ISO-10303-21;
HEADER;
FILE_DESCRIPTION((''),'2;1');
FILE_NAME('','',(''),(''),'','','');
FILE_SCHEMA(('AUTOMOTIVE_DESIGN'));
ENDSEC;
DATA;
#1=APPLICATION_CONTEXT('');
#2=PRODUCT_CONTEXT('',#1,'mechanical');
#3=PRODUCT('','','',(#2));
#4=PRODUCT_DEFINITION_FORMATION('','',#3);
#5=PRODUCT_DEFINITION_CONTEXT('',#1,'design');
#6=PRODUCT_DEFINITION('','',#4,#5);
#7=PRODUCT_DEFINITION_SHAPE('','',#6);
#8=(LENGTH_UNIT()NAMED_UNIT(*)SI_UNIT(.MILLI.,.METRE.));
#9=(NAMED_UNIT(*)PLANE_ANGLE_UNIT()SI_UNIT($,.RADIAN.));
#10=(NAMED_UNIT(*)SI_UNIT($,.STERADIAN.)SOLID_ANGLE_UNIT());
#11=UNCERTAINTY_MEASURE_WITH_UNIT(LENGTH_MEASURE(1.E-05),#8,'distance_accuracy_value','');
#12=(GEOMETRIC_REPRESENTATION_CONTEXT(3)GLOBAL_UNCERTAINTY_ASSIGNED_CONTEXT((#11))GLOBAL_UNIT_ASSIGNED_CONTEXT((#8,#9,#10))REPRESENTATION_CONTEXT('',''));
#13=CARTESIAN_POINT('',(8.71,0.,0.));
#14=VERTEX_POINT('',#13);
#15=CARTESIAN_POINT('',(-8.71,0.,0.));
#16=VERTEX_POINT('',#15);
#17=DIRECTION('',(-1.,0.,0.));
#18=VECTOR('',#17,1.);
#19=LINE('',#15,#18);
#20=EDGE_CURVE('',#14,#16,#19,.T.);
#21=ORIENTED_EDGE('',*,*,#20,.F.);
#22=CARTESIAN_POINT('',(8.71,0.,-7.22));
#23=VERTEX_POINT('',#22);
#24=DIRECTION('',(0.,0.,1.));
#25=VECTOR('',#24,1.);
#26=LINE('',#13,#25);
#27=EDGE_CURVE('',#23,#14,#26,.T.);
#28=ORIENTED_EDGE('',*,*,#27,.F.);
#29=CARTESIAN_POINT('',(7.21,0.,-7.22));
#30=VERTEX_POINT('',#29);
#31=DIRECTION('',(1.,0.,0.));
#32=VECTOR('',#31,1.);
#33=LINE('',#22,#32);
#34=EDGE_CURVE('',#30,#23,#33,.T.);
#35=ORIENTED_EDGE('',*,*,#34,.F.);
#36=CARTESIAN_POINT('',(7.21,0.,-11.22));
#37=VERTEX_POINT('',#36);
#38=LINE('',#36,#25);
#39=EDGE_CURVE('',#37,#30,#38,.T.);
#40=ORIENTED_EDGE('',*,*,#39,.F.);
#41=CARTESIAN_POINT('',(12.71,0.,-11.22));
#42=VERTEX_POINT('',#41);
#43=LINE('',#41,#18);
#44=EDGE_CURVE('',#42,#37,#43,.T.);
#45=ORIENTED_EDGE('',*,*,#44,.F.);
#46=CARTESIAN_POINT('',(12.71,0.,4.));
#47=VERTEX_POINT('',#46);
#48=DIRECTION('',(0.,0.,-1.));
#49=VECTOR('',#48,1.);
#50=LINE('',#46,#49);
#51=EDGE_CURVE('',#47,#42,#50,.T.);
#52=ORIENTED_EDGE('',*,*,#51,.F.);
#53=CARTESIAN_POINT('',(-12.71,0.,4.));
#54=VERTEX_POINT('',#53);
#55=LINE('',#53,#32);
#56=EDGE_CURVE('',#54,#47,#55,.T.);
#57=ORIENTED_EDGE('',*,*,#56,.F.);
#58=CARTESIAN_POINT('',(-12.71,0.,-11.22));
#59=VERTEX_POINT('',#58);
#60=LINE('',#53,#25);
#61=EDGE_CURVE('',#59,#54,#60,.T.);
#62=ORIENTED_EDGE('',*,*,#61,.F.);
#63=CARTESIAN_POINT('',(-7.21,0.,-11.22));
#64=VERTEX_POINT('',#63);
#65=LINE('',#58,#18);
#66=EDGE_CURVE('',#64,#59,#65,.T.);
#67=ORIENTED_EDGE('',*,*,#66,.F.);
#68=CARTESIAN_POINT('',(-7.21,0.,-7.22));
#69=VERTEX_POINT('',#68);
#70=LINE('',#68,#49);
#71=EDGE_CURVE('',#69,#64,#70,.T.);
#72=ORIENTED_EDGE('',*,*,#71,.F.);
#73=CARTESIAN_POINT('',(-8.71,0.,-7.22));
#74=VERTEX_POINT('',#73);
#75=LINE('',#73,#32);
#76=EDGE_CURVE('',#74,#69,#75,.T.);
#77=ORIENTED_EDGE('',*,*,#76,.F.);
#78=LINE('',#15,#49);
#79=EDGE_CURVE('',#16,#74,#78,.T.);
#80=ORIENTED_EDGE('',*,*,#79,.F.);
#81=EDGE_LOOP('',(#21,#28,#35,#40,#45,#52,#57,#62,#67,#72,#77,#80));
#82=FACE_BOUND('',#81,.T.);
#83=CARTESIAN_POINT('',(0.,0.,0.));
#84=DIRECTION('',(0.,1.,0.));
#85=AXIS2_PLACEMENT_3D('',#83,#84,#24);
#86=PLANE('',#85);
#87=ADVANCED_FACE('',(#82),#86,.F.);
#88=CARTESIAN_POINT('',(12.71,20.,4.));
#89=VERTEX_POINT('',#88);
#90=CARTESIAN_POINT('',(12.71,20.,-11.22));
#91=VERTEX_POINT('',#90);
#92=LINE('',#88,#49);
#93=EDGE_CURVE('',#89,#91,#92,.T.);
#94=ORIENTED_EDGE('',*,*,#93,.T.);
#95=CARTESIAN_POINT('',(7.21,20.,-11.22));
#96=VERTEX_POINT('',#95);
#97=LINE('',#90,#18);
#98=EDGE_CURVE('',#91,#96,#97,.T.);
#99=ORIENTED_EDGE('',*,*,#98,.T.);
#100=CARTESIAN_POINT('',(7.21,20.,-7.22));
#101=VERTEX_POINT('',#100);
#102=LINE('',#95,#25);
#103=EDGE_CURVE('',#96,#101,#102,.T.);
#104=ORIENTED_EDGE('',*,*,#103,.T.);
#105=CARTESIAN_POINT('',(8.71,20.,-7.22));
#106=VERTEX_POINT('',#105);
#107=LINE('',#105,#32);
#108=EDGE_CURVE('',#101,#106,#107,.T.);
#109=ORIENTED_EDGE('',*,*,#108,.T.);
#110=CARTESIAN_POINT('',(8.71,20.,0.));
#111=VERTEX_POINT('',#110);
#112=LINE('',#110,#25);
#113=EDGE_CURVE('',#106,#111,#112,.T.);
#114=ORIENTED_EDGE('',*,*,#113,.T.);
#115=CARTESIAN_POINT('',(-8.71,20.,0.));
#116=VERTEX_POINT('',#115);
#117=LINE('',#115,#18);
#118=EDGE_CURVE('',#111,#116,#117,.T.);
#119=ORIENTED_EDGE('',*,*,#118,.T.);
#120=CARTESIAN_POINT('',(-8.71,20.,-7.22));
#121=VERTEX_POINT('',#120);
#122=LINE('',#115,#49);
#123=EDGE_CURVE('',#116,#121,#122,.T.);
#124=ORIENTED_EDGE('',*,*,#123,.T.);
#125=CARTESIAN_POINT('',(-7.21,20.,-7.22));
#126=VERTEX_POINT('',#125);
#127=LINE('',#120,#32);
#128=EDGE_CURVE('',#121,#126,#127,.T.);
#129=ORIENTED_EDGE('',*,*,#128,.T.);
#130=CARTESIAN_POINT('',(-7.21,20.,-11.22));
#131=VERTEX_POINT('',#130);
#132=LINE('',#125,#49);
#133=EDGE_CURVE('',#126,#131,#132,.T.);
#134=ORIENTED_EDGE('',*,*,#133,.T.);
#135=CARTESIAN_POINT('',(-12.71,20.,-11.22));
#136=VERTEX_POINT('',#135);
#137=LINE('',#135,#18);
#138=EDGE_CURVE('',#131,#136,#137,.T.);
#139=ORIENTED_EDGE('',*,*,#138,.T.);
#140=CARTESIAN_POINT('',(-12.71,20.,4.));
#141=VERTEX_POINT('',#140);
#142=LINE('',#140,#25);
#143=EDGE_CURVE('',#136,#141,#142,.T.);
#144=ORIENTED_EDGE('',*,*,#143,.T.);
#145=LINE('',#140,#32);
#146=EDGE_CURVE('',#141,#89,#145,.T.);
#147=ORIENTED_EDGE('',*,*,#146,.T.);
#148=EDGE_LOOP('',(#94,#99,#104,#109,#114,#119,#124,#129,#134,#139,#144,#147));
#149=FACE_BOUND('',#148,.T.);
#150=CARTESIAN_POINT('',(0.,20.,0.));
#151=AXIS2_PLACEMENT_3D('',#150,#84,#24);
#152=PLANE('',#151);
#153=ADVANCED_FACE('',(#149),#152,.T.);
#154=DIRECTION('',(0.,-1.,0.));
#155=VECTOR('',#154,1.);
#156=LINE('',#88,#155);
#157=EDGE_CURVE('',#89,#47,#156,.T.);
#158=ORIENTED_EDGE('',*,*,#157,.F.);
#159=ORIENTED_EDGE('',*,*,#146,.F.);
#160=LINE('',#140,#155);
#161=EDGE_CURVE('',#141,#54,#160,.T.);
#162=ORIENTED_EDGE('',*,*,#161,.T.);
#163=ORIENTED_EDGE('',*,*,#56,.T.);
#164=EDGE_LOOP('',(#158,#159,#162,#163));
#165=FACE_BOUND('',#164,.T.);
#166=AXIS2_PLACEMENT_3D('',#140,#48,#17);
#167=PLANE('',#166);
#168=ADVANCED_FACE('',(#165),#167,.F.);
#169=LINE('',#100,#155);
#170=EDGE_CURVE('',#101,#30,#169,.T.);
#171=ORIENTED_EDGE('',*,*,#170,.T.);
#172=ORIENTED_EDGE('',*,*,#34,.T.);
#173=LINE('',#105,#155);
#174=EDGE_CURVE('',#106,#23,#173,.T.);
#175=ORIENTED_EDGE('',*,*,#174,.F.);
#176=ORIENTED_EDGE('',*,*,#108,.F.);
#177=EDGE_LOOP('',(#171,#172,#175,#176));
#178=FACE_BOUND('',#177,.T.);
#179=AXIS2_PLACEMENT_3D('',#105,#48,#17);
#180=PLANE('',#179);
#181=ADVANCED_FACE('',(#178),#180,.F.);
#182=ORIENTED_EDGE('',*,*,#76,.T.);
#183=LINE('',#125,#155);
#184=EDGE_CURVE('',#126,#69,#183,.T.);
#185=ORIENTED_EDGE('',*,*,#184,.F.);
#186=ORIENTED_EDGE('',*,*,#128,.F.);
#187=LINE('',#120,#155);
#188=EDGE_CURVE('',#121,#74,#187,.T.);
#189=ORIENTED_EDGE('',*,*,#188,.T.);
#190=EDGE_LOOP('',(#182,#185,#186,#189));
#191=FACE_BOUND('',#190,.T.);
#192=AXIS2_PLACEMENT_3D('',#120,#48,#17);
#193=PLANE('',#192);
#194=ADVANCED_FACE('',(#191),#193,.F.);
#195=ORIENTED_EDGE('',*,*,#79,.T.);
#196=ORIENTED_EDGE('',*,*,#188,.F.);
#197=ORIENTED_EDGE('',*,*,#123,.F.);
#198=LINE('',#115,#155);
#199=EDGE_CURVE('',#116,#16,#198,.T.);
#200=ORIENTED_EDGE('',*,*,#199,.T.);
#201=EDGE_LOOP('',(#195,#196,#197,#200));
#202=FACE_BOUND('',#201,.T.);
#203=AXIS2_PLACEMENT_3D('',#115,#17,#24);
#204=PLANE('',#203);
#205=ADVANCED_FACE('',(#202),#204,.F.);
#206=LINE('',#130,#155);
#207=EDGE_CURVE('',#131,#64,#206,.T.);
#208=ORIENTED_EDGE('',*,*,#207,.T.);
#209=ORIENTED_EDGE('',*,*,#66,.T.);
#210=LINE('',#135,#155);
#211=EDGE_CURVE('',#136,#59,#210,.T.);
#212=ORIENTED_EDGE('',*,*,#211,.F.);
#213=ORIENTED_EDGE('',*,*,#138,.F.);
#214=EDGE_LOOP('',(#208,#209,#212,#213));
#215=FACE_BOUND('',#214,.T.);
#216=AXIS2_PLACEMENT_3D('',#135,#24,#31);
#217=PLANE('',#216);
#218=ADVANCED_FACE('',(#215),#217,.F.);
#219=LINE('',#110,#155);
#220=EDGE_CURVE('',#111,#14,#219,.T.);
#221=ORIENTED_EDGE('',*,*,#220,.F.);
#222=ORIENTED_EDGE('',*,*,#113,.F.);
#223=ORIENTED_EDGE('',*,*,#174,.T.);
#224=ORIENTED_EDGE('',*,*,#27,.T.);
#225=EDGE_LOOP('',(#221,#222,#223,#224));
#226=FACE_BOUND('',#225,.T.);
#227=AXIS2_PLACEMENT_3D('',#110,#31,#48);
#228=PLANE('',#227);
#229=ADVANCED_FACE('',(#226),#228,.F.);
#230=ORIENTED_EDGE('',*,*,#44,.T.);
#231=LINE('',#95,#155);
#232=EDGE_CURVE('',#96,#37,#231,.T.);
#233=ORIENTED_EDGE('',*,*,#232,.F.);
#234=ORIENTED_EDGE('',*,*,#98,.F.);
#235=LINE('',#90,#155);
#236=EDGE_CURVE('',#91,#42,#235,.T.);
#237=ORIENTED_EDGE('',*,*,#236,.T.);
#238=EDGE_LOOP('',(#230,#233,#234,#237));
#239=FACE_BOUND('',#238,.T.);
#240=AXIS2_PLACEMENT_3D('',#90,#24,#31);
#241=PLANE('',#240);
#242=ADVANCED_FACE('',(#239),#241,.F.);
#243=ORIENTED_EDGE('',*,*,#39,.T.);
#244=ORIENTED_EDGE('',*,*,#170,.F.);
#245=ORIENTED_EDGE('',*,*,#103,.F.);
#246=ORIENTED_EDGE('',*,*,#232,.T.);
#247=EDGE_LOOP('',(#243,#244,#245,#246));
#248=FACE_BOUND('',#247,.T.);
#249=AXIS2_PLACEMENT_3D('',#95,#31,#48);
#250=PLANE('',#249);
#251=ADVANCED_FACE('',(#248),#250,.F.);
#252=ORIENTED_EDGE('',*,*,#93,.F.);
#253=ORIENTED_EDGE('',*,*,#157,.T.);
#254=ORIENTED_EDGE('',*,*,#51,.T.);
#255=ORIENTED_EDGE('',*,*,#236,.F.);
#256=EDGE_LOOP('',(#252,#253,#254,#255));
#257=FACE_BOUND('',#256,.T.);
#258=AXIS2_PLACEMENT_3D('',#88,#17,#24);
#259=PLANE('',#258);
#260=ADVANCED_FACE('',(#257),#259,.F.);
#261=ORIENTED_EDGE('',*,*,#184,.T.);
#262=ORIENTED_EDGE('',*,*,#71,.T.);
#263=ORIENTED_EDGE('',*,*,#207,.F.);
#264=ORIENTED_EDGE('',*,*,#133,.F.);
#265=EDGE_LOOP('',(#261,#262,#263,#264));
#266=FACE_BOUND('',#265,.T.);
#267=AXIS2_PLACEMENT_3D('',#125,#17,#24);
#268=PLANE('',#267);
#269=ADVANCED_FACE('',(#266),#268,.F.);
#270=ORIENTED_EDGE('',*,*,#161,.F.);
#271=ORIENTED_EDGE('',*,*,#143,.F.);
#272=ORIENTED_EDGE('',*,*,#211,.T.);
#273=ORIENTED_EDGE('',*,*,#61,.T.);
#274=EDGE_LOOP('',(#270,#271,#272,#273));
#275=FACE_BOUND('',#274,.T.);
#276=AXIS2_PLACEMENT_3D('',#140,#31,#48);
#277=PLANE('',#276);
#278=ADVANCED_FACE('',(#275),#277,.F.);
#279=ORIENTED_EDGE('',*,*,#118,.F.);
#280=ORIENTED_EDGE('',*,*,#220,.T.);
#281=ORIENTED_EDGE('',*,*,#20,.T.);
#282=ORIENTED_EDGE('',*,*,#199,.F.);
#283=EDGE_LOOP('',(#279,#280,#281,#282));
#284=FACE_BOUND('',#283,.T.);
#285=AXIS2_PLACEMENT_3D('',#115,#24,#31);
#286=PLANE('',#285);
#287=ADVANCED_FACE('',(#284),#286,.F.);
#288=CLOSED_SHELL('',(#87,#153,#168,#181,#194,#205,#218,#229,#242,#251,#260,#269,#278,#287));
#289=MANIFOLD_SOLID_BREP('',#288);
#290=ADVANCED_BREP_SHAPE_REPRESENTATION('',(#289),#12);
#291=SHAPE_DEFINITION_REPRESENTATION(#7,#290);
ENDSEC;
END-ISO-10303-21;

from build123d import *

# Parameters (mm, degrees)
BOSS_EXTRUDE1_DEPTH = 20


with BuildPart() as part:
    # Sketch1 → Boss-Extrude1 (new body)
    with BuildSketch(Plane(origin=(0, 0, 0), x_dir=(1, 0, 0), z_dir=(0, 1, 0))):
        Polygon((-8.71, 0), (8.71, 0), (8.71, 7.22), (7.21, 7.22), (7.21, 11.22), (12.71, 11.22), (12.71, -4), (-12.71, -4), (-12.71, 11.22), (-7.21, 11.22), (-7.21, 7.22), (-8.71, 7.22), align=None)
    extrude(amount=BOSS_EXTRUDE1_DEPTH)


solid = part.part
